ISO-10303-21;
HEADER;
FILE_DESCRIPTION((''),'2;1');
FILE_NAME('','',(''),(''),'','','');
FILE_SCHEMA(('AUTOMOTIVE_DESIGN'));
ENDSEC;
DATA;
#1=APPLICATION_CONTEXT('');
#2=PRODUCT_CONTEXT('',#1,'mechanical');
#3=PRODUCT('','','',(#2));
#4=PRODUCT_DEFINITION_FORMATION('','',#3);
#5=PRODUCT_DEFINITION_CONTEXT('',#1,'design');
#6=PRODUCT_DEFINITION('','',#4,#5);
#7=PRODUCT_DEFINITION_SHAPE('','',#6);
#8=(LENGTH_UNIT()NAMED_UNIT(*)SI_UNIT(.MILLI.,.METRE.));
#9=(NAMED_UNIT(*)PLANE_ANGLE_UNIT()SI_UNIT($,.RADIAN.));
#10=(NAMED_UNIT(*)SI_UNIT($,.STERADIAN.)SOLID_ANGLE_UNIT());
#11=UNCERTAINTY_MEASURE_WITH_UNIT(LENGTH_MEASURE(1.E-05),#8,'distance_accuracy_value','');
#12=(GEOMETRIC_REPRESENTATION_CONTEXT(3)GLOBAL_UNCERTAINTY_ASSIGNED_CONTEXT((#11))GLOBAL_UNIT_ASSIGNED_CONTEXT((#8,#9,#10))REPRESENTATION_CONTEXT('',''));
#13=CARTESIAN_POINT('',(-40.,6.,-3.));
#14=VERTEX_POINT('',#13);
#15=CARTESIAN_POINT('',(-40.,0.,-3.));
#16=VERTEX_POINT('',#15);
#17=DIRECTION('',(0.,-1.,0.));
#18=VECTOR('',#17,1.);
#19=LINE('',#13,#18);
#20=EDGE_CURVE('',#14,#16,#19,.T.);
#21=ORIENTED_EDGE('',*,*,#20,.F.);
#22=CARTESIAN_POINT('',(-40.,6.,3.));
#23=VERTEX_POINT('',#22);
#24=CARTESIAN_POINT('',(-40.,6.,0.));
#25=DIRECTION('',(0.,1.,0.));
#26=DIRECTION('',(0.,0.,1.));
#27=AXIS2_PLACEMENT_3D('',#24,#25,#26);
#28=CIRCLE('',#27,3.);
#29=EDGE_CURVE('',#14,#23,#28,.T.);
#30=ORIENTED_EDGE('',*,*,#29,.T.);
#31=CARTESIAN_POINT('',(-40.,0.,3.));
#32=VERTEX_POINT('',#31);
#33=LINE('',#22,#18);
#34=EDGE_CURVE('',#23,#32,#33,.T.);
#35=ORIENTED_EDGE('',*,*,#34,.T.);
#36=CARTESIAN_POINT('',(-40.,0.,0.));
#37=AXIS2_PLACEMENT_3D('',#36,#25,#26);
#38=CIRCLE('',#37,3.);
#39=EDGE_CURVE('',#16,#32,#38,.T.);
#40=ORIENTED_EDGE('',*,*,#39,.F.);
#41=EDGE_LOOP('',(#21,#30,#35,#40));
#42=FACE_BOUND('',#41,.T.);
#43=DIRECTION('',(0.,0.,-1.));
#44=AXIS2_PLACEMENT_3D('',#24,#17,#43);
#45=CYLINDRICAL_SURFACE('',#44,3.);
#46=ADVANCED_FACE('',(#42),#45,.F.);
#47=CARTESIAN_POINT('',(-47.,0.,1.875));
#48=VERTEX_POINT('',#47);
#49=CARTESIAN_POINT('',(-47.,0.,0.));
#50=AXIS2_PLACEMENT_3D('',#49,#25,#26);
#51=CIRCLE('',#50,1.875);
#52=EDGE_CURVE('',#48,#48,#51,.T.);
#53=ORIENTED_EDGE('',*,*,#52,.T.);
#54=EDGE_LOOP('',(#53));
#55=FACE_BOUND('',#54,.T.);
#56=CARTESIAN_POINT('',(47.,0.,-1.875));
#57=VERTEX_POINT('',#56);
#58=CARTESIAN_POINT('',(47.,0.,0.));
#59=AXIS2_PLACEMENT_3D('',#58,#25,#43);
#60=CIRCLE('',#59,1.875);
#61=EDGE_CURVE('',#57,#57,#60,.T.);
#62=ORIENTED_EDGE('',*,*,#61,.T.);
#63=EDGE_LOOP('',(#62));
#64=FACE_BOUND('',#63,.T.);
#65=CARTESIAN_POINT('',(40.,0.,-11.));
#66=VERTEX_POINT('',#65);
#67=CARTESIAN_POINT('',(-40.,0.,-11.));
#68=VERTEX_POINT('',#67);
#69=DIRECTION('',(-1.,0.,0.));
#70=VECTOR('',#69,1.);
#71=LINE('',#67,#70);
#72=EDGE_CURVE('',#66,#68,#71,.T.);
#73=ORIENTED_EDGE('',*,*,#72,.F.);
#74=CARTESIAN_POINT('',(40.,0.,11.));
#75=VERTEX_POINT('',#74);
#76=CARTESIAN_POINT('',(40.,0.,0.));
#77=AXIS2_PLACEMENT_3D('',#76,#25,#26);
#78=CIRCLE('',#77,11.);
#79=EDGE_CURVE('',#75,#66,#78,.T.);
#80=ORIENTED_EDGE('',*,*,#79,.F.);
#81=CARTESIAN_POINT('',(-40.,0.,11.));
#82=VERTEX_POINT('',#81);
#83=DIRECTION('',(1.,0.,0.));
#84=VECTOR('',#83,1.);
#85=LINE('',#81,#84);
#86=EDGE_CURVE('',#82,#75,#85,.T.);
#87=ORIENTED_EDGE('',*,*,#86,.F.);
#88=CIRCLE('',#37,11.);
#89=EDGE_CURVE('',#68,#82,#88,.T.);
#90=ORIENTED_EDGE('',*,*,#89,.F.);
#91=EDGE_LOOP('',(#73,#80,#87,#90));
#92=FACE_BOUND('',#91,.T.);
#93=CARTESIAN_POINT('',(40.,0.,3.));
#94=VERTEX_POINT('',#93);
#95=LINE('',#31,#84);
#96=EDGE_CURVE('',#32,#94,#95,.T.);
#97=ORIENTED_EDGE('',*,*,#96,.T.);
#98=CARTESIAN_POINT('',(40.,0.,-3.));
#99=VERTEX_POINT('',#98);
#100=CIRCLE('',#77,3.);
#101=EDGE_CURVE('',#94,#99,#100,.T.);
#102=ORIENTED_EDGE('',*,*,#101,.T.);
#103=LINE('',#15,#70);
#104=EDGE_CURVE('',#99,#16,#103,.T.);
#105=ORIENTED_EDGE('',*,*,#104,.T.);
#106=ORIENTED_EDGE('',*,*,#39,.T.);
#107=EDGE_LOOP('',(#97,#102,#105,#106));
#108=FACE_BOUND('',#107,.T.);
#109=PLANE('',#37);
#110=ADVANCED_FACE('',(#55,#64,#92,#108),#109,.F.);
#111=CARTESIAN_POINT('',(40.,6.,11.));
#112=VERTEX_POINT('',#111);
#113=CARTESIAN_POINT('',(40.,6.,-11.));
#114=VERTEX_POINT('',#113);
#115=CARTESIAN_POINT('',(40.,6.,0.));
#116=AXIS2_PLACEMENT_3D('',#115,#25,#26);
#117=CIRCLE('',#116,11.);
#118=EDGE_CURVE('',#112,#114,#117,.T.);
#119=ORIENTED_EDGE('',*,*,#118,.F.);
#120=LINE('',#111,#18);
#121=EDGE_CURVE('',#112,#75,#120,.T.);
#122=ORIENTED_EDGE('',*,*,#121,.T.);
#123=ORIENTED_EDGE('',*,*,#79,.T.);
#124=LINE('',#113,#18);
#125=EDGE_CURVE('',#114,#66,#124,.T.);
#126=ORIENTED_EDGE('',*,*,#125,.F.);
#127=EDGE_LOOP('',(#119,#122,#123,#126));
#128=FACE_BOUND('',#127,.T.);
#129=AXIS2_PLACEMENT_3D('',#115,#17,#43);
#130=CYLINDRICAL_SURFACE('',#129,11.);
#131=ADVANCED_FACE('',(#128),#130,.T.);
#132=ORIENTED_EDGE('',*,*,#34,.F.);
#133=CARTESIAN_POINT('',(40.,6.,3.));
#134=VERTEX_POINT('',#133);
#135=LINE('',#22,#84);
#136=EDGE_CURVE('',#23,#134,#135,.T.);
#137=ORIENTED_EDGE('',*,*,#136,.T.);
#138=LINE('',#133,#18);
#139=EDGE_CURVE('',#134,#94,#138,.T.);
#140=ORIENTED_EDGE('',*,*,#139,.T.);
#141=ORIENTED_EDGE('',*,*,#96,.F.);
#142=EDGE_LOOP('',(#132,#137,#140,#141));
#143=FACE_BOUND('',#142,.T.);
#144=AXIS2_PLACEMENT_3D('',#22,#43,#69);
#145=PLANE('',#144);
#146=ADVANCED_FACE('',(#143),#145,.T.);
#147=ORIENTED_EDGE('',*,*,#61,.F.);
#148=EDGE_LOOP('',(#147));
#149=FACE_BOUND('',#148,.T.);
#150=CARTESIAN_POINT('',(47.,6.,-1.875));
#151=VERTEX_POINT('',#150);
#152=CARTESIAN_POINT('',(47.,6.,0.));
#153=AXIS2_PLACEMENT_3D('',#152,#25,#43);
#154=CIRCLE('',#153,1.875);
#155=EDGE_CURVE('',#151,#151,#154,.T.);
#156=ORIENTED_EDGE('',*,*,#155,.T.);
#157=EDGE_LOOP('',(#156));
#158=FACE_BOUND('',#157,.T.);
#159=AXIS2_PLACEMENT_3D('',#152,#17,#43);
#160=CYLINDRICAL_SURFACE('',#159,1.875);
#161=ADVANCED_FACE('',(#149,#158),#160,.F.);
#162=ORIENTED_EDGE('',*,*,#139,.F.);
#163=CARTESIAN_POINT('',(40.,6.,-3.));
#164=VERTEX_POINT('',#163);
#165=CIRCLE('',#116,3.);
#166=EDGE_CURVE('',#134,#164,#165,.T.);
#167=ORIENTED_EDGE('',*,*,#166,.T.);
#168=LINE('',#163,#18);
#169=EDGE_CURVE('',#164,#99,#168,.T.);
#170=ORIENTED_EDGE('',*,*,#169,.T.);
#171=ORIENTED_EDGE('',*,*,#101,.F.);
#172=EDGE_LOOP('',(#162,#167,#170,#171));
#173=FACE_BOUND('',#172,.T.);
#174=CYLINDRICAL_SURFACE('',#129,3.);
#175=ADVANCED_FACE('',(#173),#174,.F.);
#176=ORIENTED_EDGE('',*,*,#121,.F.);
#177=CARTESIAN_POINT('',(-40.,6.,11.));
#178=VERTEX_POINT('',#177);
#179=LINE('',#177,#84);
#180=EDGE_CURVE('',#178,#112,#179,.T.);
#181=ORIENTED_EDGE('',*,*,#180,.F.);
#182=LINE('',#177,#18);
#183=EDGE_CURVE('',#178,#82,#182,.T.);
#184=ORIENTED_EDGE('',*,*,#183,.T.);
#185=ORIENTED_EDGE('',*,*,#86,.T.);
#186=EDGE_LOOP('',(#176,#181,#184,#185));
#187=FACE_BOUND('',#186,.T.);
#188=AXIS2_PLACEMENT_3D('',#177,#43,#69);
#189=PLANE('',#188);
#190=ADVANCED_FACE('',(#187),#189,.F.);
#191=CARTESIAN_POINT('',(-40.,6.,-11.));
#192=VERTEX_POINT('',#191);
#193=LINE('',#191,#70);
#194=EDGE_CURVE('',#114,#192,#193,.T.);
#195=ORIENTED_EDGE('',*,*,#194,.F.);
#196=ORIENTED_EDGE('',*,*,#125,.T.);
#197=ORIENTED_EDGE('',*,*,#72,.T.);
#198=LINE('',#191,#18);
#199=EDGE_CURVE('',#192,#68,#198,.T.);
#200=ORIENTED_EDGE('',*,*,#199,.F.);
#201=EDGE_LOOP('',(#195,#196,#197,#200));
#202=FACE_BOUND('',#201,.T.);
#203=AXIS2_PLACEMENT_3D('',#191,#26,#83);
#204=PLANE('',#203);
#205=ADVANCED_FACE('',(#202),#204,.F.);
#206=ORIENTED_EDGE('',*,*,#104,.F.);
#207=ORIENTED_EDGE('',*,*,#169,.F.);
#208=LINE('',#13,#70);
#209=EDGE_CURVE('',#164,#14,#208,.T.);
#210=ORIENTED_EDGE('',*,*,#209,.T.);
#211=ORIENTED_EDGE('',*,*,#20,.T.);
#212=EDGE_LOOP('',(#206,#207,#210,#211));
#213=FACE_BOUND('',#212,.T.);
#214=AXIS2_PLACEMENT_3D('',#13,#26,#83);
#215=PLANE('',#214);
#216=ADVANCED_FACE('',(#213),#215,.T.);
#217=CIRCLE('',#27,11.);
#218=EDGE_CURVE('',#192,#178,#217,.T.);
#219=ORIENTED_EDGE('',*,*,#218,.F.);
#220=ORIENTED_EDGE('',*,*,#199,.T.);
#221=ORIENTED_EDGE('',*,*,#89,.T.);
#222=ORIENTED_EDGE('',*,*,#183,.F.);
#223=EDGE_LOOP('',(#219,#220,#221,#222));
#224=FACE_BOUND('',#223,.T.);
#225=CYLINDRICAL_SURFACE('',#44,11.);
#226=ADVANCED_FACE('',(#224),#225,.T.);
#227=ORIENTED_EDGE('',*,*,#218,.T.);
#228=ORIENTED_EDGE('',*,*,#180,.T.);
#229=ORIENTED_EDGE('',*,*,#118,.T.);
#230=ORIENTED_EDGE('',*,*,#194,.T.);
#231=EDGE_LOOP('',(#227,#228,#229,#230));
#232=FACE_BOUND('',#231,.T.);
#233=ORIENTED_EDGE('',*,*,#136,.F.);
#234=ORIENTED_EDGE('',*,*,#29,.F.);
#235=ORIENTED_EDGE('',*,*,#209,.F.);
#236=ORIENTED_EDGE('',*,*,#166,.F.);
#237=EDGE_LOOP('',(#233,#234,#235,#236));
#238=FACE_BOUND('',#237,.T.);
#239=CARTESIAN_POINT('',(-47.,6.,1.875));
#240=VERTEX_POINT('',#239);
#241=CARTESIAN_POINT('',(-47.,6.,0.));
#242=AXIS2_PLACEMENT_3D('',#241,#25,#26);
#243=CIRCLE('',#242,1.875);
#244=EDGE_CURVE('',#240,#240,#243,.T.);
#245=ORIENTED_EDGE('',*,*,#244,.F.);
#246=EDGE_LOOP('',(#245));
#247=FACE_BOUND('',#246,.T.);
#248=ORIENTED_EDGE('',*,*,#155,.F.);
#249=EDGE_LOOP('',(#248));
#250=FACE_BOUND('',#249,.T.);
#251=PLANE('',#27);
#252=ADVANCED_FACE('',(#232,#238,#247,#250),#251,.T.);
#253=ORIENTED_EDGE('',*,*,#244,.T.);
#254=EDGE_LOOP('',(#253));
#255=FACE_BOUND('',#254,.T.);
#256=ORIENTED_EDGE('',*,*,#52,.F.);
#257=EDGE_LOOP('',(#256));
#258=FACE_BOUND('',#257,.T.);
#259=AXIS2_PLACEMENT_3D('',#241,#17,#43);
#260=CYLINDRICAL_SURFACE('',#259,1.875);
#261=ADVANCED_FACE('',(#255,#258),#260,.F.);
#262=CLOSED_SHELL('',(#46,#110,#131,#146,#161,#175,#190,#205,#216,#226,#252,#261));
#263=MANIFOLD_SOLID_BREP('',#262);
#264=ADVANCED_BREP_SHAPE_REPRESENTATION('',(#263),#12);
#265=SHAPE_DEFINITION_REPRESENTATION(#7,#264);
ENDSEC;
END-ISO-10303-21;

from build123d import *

# Parameters (mm, degrees)
CROQUIS1_R              = 1.875
SALIENTE_EXTRUIR1_DEPTH = 6


with BuildPart() as part:
    # Croquis1 → Saliente-Extruir1 (new body)
    with BuildSketch(Plane(origin=(0, 0, 0), x_dir=(1, 0, 0), z_dir=(0, 1, 0))):
        with BuildLine():
            Line((-40, 11), (40, 11))
            ThreePointArc((40, 11), (51, 0), (40, -11))
            Line((40, -11), (-40, -11))
            ThreePointArc((-40, -11), (-51, 0), (-40, 11))
        make_face()
        with Locations((-47, 0)):
            Circle(CROQUIS1_R, mode=Mode.SUBTRACT)
        with Locations((47, 0)):
            Circle(CROQUIS1_R, mode=Mode.SUBTRACT)
        with BuildLine():
            Line((-40, 3), (40, 3))
            ThreePointArc((40, 3), (43, 0), (40, -3))
            Line((40, -3), (-40, -3))
            ThreePointArc((-40, -3), (-43, 0), (-40, 3))
        make_face(mode=Mode.SUBTRACT)
    extrude(amount=SALIENTE_EXTRUIR1_DEPTH)


solid = part.part
